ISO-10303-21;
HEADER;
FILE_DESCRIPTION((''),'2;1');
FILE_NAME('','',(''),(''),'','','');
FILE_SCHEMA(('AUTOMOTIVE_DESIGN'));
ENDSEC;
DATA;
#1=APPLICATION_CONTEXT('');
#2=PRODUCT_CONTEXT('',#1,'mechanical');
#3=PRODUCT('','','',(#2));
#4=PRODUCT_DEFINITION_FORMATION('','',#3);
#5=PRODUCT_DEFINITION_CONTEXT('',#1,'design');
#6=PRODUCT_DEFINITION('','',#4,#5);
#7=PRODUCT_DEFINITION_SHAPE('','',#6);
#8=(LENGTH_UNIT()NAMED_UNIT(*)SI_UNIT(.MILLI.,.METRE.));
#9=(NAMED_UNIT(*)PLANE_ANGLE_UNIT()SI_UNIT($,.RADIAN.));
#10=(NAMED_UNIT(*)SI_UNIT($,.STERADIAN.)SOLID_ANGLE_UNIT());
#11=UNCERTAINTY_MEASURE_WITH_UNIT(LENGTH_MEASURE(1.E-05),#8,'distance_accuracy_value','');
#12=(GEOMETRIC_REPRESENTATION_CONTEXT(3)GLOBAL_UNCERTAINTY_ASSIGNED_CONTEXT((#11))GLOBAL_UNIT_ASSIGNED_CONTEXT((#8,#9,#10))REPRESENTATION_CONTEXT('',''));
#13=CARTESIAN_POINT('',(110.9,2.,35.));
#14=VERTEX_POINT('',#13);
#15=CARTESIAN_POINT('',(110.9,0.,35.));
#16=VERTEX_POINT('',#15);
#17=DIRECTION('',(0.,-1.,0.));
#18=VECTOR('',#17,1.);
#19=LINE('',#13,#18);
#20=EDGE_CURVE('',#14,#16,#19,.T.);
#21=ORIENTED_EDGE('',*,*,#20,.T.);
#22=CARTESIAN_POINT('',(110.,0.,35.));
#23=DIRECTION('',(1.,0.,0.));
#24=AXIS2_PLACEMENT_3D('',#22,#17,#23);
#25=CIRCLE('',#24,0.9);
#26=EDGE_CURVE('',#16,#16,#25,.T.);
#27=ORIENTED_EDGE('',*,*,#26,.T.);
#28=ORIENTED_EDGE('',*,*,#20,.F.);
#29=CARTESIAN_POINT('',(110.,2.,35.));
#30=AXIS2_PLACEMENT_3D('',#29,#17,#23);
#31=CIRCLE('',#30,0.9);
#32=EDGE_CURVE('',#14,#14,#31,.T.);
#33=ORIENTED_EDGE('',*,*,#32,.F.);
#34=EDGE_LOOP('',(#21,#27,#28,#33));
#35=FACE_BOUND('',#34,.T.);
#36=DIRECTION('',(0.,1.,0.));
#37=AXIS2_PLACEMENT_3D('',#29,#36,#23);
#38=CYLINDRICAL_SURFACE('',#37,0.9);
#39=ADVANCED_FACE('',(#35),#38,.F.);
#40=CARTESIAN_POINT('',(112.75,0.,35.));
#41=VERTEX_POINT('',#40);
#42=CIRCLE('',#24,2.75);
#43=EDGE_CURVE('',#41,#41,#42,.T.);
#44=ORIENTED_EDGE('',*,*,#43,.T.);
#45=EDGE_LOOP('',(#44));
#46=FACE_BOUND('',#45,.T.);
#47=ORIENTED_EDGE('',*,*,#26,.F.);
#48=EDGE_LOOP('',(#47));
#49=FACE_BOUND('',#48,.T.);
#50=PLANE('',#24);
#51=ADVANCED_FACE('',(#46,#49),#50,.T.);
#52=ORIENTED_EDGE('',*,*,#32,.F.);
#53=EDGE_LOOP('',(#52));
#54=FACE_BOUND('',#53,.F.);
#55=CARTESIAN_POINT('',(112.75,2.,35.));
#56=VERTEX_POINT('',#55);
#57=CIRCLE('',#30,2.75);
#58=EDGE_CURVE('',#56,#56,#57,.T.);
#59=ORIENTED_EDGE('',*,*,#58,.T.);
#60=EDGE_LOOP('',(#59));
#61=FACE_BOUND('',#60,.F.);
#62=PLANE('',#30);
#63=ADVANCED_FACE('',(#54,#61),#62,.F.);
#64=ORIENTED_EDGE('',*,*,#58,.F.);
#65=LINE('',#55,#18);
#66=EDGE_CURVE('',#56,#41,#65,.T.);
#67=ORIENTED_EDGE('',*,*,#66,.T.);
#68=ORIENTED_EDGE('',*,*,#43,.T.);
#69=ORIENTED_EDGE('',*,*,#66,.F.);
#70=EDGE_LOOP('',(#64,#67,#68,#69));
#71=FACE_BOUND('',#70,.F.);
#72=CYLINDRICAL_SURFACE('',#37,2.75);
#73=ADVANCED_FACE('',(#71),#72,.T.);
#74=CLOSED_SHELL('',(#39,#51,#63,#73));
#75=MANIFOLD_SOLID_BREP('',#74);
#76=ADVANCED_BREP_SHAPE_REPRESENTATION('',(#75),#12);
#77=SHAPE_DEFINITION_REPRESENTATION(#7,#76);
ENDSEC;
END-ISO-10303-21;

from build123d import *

# Parameters (mm, degrees)
CYLINDER015_R            = 0.9
CYLINDER015_DEPTH        = 2
CYLINDER014_R            = 2.75
CYLINDER014_DEPTH        = 2
CLONE016_PLACEMENT_ANGLE = 90


with BuildPart() as faceanchorscrewhole:
    # Cylinder015 → Cylinder015 (new body)
    with BuildSketch(Plane.XY):
        Circle(CYLINDER015_R)
    extrude(amount=CYLINDER015_DEPTH)


with BuildPart() as faceanchor002:
    # Cylinder014 → Cylinder014 (new body)
    with BuildSketch(Plane.XY):
        Circle(CYLINDER014_R)
    extrude(amount=CYLINDER014_DEPTH)

    # Cut015: cut FaceAnchorScrewHole
    add(faceanchorscrewhole.part, mode=Mode.SUBTRACT)


with BuildPart() as faceanchor002_1:
    # Clone016 placement: moved
    add(faceanchor002.part.moved(Location((110, 2, 35))).rotate(Axis((110, 2, 35), (1, 0, 0)), CLONE016_PLACEMENT_ANGLE))


solid = faceanchor002_1.part
